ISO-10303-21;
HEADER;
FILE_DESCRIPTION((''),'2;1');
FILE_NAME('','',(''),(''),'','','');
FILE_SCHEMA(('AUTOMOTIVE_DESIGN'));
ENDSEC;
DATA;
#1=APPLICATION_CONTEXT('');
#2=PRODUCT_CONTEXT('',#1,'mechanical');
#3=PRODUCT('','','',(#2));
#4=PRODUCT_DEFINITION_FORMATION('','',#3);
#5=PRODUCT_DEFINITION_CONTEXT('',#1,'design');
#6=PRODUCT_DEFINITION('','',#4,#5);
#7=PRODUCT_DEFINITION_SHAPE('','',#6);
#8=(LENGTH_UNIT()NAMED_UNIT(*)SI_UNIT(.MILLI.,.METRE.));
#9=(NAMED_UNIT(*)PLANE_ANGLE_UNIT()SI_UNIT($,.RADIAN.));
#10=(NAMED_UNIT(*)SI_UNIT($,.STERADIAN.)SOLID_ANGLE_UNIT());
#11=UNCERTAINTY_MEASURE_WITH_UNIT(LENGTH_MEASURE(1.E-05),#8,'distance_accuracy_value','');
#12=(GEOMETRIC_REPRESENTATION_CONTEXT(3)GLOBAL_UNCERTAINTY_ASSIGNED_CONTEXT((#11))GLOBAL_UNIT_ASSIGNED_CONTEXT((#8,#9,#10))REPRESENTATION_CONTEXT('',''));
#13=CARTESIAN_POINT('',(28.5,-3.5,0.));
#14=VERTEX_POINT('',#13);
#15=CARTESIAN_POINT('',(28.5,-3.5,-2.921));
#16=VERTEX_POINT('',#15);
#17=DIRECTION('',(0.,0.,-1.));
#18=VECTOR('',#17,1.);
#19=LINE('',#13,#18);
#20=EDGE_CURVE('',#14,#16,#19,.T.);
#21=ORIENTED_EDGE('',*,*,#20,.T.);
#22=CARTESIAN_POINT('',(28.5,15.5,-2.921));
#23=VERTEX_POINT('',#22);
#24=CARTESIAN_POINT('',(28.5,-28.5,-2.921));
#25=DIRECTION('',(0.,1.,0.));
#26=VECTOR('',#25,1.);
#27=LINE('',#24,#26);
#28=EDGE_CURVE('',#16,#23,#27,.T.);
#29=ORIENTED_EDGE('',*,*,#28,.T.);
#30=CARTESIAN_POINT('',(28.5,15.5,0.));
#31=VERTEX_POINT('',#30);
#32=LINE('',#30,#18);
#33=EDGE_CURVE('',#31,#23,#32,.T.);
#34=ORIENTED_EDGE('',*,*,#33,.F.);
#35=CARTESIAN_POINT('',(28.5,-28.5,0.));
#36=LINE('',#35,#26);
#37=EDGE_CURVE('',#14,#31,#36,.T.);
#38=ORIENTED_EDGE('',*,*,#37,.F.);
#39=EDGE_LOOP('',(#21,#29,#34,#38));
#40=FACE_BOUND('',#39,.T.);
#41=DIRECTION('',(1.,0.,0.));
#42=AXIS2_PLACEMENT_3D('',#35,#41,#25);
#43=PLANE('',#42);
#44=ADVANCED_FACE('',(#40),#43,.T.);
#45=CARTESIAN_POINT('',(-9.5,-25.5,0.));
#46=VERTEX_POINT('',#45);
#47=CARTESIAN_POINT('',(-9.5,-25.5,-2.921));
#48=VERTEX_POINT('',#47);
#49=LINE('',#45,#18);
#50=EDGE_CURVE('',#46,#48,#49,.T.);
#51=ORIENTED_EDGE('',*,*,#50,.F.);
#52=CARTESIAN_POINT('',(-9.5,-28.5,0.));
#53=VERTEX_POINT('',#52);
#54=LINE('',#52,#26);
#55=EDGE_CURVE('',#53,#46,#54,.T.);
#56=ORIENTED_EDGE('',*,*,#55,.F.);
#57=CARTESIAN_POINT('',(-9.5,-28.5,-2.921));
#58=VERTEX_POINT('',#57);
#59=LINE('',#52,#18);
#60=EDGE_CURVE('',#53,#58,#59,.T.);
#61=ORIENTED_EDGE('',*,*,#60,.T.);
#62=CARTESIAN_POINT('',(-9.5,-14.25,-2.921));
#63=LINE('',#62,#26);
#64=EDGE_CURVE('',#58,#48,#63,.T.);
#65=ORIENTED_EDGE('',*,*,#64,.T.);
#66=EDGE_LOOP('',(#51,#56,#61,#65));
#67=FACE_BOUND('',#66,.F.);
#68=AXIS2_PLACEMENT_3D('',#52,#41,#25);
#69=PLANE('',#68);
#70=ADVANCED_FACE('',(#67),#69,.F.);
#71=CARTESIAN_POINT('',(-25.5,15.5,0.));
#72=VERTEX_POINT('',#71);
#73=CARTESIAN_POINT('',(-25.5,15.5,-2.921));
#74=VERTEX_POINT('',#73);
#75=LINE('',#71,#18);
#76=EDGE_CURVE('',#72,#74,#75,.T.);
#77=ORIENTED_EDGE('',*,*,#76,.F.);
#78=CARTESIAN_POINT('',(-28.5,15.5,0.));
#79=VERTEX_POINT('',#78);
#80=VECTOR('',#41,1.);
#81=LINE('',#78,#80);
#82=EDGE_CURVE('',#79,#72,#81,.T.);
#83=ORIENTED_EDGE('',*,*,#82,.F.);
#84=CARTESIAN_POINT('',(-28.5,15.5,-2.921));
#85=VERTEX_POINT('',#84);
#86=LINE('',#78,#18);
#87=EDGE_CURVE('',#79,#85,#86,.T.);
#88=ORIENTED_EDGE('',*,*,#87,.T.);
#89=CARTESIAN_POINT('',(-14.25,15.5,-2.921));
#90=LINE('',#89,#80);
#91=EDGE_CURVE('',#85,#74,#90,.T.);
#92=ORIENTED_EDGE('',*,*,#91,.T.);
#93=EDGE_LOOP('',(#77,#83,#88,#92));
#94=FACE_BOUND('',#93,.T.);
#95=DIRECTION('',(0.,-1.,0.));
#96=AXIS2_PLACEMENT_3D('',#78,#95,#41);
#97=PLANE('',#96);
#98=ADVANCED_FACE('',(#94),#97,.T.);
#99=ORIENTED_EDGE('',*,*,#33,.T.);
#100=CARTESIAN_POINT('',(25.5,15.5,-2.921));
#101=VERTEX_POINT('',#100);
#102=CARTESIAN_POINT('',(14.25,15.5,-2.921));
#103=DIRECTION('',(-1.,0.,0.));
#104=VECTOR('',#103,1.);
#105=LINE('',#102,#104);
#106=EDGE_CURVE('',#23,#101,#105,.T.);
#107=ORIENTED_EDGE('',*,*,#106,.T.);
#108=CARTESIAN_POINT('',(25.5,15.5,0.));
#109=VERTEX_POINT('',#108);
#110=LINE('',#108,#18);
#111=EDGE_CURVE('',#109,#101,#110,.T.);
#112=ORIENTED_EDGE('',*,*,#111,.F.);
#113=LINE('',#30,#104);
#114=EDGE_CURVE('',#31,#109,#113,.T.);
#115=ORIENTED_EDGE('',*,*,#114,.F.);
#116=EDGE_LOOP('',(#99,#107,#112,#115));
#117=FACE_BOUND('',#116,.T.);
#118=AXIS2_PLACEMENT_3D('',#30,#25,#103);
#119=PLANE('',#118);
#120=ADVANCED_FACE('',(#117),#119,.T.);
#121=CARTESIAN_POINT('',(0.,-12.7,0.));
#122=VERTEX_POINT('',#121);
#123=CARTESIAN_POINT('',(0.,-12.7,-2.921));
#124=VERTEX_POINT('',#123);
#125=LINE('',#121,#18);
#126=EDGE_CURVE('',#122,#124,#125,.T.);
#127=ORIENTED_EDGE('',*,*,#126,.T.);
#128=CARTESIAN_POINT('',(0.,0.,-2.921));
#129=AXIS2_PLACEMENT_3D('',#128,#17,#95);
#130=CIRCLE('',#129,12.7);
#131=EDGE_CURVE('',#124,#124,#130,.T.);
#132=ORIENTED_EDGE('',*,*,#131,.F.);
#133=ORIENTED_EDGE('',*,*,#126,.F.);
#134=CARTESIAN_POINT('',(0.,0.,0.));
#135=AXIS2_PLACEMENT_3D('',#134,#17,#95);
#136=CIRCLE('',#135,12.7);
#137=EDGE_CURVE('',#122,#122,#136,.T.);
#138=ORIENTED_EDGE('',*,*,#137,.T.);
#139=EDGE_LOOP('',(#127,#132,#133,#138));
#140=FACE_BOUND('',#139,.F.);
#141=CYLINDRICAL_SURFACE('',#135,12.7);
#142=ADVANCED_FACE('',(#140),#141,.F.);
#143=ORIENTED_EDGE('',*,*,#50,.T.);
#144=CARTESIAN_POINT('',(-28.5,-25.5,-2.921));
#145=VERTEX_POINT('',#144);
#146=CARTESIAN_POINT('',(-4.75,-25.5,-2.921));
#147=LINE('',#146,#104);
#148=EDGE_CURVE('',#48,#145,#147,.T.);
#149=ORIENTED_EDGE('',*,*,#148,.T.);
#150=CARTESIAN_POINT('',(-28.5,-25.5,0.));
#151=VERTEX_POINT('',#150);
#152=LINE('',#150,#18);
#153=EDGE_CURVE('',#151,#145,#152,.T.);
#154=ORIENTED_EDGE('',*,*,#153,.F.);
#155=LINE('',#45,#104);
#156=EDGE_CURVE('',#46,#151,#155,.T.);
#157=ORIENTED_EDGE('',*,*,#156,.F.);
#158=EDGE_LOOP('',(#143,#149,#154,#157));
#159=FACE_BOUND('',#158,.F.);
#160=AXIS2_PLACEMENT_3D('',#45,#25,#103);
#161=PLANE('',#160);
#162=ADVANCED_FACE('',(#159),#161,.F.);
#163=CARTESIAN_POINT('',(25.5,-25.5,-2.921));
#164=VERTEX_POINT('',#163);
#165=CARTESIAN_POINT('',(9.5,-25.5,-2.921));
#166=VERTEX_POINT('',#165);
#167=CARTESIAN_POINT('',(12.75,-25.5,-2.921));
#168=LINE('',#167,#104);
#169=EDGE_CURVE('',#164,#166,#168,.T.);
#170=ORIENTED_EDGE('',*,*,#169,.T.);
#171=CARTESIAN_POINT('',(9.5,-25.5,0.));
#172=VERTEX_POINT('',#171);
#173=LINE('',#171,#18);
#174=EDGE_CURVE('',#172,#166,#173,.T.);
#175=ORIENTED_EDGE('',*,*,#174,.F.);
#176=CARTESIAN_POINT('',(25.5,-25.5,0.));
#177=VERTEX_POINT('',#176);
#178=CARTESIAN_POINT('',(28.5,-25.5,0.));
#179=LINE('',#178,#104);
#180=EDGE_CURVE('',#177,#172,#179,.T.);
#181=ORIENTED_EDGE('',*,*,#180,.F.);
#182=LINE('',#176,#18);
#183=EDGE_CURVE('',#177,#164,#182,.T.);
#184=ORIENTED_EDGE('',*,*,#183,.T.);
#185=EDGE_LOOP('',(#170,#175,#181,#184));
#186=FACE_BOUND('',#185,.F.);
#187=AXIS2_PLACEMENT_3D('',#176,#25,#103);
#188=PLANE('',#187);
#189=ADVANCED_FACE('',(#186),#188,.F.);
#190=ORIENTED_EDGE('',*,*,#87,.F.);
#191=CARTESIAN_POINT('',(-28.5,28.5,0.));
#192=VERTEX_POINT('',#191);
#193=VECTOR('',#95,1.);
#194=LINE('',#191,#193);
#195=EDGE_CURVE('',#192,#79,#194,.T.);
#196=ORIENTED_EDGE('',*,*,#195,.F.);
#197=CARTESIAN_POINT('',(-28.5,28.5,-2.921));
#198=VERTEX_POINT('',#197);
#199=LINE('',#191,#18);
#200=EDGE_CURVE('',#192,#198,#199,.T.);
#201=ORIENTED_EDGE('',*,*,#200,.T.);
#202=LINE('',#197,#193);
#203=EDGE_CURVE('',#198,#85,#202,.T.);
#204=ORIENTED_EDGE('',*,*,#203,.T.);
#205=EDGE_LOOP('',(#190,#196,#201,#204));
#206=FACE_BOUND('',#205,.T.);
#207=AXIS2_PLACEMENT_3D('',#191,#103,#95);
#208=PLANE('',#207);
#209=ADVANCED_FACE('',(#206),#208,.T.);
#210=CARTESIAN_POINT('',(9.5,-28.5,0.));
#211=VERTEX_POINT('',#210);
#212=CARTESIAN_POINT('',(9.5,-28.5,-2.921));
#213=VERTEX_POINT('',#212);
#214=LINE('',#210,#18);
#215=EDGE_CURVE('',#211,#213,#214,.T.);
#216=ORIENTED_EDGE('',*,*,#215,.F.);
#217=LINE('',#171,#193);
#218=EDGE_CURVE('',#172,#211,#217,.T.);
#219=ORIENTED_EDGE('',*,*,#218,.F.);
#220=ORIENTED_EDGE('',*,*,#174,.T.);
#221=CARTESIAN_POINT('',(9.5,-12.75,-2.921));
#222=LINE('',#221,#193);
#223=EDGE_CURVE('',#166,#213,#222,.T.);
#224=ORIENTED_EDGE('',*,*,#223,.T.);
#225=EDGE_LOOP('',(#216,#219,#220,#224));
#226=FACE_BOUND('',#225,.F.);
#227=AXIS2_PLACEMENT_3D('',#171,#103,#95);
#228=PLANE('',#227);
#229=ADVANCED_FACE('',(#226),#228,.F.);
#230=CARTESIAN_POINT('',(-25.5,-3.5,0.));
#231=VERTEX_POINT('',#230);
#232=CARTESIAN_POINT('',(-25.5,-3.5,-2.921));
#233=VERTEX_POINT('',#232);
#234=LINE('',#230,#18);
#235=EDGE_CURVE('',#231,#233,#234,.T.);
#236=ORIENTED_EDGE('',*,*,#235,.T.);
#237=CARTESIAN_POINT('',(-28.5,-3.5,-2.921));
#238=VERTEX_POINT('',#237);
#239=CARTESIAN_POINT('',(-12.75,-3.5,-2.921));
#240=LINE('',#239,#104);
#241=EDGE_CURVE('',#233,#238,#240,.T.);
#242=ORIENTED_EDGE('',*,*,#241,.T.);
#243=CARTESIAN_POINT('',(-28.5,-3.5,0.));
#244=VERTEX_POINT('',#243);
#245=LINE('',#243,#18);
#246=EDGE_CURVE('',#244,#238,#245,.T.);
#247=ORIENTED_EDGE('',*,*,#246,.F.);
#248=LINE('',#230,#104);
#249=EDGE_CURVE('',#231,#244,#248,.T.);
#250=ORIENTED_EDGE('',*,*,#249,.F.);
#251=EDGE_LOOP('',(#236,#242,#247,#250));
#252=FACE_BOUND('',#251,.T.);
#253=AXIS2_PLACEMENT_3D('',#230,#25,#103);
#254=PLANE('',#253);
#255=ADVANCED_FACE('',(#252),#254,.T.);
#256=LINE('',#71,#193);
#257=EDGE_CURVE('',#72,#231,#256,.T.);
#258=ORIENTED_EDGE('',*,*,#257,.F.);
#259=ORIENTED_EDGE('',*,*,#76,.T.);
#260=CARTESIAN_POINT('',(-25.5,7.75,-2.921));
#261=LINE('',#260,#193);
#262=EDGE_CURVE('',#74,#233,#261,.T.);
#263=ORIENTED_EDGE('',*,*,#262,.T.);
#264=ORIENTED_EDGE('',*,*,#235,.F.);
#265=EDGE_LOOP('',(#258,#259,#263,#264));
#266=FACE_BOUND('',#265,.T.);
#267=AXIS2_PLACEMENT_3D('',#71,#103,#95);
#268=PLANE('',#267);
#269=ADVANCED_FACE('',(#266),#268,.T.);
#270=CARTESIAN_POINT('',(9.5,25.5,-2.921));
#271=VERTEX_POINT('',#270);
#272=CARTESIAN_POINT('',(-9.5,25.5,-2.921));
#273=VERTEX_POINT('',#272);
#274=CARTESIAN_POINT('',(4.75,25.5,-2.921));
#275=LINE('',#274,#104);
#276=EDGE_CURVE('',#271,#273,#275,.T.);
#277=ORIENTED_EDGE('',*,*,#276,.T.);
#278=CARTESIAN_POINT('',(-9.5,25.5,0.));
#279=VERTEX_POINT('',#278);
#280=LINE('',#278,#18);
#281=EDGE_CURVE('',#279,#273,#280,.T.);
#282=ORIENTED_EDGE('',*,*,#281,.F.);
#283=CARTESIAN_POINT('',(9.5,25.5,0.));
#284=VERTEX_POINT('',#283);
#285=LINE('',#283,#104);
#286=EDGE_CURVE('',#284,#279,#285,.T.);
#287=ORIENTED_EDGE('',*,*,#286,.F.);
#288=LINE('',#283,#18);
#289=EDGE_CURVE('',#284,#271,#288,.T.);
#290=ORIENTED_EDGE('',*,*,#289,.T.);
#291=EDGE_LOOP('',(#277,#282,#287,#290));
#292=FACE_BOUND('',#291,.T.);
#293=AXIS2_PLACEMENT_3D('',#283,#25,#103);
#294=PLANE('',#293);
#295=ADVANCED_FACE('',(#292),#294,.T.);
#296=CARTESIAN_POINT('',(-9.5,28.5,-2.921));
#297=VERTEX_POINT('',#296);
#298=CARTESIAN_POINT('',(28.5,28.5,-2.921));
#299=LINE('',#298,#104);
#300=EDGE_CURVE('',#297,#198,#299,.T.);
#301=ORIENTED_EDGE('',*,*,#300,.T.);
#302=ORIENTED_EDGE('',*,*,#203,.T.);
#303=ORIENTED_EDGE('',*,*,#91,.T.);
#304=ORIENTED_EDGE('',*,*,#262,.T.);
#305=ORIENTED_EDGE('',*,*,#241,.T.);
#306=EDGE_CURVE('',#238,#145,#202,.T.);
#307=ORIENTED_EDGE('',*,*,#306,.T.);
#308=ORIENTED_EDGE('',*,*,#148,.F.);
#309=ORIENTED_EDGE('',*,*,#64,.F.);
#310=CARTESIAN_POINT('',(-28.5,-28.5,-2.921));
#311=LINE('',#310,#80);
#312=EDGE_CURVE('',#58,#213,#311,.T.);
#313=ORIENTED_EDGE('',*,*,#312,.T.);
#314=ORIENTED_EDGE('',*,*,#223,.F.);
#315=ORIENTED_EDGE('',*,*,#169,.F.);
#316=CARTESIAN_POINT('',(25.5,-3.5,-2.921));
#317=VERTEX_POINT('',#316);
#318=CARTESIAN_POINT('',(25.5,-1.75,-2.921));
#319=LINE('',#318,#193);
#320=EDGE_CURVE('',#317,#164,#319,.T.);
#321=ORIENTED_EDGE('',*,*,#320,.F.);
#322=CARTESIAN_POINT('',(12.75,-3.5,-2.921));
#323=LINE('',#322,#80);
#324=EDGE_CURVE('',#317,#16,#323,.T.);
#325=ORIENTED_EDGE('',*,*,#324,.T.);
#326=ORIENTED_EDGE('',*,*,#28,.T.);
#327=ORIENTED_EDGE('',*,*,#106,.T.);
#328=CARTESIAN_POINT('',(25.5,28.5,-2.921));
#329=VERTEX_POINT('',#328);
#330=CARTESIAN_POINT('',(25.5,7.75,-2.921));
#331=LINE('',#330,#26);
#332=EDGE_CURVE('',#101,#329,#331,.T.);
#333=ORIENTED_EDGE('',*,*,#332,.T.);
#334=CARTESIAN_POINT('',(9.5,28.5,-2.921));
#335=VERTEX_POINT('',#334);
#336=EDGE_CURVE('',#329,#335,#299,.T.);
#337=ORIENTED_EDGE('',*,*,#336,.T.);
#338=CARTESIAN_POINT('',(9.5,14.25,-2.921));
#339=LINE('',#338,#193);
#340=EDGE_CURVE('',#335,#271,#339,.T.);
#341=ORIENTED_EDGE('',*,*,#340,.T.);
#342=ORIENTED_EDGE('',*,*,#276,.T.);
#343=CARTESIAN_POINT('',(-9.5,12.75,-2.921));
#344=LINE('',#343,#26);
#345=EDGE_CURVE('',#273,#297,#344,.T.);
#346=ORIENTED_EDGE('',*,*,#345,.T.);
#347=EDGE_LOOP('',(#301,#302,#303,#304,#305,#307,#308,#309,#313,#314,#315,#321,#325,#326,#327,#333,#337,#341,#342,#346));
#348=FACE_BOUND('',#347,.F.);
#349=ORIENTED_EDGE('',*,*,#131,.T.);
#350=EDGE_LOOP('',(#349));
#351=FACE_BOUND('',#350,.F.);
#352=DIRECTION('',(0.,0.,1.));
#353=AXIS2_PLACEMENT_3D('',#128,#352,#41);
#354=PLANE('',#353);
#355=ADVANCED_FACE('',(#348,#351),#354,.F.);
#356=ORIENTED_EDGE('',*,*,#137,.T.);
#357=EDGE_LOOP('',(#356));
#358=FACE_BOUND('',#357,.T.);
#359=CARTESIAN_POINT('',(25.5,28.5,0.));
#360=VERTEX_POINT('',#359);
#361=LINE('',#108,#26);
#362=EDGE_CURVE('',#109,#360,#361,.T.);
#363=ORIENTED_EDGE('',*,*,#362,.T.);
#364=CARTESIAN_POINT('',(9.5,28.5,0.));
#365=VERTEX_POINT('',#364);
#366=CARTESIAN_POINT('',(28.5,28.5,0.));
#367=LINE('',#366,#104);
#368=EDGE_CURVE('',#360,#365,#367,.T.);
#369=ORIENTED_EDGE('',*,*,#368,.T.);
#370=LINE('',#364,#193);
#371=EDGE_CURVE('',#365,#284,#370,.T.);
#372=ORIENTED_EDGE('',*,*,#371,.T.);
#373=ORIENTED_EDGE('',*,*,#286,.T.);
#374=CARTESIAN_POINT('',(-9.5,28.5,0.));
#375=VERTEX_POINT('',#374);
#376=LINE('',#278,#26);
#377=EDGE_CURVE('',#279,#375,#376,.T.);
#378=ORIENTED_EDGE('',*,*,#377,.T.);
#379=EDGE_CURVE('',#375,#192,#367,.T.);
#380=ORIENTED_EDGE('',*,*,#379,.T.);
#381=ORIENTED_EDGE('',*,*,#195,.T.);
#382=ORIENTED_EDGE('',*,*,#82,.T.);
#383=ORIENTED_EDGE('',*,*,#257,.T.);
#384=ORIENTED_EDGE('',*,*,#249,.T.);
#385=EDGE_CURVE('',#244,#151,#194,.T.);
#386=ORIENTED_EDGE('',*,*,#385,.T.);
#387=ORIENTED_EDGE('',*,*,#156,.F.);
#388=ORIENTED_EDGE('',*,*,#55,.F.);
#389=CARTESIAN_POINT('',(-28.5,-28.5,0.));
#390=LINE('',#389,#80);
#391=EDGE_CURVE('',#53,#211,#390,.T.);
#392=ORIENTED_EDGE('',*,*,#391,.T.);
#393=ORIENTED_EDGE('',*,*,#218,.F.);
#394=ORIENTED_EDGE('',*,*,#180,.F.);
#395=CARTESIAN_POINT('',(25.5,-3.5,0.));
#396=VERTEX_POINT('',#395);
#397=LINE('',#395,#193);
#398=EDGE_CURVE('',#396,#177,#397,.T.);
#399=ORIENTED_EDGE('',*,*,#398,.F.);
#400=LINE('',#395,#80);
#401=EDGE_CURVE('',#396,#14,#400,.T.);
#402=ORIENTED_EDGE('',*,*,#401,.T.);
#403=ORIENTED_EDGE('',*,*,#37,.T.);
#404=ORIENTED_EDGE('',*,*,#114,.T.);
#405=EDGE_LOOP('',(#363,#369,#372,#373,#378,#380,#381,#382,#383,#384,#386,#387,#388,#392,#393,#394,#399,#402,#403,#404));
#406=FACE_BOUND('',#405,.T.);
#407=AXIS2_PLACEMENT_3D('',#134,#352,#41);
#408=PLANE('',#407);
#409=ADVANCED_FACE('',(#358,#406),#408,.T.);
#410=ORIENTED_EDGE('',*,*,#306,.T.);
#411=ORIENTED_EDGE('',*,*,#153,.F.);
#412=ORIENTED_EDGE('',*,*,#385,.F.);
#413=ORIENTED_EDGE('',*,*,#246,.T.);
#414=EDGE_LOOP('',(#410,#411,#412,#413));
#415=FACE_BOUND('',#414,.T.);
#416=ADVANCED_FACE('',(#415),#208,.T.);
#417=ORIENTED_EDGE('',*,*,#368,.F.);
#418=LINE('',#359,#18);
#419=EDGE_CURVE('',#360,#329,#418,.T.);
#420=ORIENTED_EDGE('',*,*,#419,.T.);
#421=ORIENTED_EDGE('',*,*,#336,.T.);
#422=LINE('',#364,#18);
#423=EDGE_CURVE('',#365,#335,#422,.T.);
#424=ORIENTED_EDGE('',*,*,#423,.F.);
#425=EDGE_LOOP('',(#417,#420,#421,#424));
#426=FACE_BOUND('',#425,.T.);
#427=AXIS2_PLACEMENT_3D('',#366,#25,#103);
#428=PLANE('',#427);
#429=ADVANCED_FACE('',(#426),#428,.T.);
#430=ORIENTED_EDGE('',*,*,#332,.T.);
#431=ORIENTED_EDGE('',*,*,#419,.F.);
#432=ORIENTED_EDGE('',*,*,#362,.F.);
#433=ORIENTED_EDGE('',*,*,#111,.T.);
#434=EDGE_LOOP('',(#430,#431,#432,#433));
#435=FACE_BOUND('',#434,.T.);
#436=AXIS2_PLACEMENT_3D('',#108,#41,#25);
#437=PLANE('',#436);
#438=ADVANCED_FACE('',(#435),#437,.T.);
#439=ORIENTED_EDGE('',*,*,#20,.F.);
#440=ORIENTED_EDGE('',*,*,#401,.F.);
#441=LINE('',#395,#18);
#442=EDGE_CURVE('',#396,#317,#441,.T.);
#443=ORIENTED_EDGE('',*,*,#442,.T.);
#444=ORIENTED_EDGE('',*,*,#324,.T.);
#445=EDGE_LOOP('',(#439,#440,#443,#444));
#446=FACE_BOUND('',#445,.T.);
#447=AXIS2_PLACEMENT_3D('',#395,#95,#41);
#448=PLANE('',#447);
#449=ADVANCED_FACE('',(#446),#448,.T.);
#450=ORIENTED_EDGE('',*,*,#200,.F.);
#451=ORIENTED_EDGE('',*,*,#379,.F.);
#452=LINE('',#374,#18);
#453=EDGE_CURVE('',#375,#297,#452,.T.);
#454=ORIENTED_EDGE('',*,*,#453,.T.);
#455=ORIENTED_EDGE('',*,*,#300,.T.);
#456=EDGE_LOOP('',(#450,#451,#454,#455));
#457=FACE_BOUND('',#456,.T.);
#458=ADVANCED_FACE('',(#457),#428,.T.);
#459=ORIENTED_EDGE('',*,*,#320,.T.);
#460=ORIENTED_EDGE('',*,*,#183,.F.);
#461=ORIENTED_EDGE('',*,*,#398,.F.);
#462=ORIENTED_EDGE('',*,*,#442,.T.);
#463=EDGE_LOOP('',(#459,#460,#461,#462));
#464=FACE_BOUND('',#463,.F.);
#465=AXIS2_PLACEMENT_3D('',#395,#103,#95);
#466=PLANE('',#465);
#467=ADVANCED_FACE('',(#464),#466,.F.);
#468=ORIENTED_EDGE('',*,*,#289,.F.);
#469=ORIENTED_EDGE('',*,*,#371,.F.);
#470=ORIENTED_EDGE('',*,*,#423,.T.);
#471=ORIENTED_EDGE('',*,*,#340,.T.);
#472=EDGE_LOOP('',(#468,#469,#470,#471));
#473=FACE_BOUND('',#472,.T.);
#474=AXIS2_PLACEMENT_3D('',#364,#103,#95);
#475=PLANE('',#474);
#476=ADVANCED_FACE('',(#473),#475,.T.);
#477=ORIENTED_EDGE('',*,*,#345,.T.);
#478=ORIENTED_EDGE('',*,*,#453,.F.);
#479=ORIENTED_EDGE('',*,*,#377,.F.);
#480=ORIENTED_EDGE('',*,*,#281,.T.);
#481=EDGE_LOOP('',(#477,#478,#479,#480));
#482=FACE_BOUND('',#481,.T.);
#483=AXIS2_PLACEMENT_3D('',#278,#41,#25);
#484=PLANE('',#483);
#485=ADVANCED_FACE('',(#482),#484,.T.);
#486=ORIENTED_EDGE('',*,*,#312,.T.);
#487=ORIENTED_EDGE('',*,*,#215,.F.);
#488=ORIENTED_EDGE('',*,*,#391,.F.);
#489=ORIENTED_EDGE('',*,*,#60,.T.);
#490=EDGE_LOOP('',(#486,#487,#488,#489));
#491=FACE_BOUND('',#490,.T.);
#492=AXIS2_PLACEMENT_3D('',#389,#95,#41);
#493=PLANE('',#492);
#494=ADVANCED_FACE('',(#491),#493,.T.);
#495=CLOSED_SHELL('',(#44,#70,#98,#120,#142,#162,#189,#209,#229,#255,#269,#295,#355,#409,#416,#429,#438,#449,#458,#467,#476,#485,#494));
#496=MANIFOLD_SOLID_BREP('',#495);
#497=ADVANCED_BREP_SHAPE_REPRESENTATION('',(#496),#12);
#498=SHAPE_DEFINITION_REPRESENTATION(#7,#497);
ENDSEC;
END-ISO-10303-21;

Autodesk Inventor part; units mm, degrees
ref_plane "YZ Plane" through (0, 0, 0) normal (1, 0, 0) x (0, 1, 0)
ref_plane "XZ Plane" through (0, 0, 0) normal (0, 1, 0) x (-1, 0, 0)
ref_plane "XY Plane" through (0, 0, 0) normal (0, 0, 1) x (1, 0, 0)
sketch "Sketch1" plane through (0, 0, 0) normal (0, 0, 1) x (1, 0, 0)
  line L0 (-28.5, -28.5) -> (28.5, -28.5)
  line L1 (28.5, -28.5) -> (28.5, 28.5)
  line L2 (28.5, 28.5) -> (-28.5, 28.5)
  line L3 (-28.5, 28.5) -> (-28.5, -28.5)
  line L4 (-28.5, -28.5) -> (28.5, 28.5) construction
  line L5 (28.5, -28.5) -> (-28.5, 28.5) construction
  point P0 (0, 0)
  dimension "d0" = 57
  dimension "d1" = 57
extrude "Extrusion1" add sketch "Sketch1" against normal blind 2.921
sketch "Sketch4" plane through (0, 0, 0) normal (0, 0, 1) x (1, 0, 0)
  line L0 (28.5, -25.5) -> (9.5, -25.5)
  line L1 (9.5, -25.5) -> (9.5, -28.5)
  line L2 (9.5, -28.5) -> (28.5, -28.5)
  line L3 (28.5, -28.5) -> (28.5, -25.5)
  line L4 (-28.5, -28.5) -> (-9.5, -28.5)
  line L5 (-9.5, -28.5) -> (-9.5, -25.5)
  line L6 (-9.5, -25.5) -> (-28.5, -25.5)
  line L7 (-28.5, -25.5) -> (-28.5, -28.5)
  line L8 (28.5, -28.5) -> (28.5, 28.5) projected
  line L9 (28.5, 28.5) -> (-28.5, 28.5) projected
  line L10 (-28.5, 28.5) -> (-28.5, -28.5) projected
  line L11 (-28.5, 15.5) -> (-25.5, 15.5)
  line L12 (-25.5, 15.5) -> (-25.5, -3.5)
  line L13 (-25.5, -3.5) -> (-28.5, -3.5)
  line L14 (-28.5, -3.5) -> (-28.5, 15.5)
  line L15 (28.5, 15.5) -> (25.5, 15.5)
  line L16 (25.5, 15.5) -> (25.5, -3.5)
  line L17 (25.5, -3.5) -> (28.5, -3.5)
  line L18 (28.5, -3.5) -> (28.5, 15.5)
  line L19 (-9.5, 28.5) -> (9.5, 28.5)
  line L20 (9.5, 28.5) -> (9.5, 25.5)
  line L21 (9.5, 25.5) -> (-9.5, 25.5)
  line L22 (-9.5, 25.5) -> (-9.5, 28.5)
  line L23 (-28.5, -28.5) -> (28.5, -28.5) projected
  line L24 (25.5, -3.5) -> (25.5, -28.5)
  line L25 (25.5, 15.5) -> (25.5, 28.5)
  point P0 (0, 0)
  dimension "d12" = 19
  dimension "d13" = 3
  dimension "d16" = 3
  dimension "d37" = 9.5
  dimension "d38" = 19
  dimension "d39" = 9.5
  dimension "d40" = 3
  dimension "d41" = 3
  dimension "d42" = 19
  dimension "d43" = 19
  dimension "d44" = 3
  dimension "d45" = 19
  dimension "d46" = 19
  dimension "d50" = 25
  dimension "d51" = 25
  dimension "d52" = 19
  dimension "d53" = 57
  dimension "d54" = 57
extrude "Extrusion5" cut sketch "Sketch4" against normal blind 25.4 contours L3 L2 L24 L0 | L0 L24 L17 L8 | L24 L2 L1 L0 | L15 L25 L9 L8 | L4 L7 L6 L5 | L20 L21 L22 L9 | L10 L11 L12 L13
hole "Hole1" at (0, 0, 0) direction (0, 0, -1) diameter 25.4 end through all
equation "\"d1\" = d0"
equation "\"d12\" = d38"
equation "\"d13\" = d16"
equation "\"d16\" = d44"
equation "\"d38\" = d45"
equation "\"d39\" = d37"
equation "\"d40\" = d44"
equation "\"d41\" = d16"
equation "\"d42\" = d45"
equation "\"d43\" = d42"
equation "\"d46\" = d45"
equation "\"d51\" = d50"
equation "\"d19\" = 0.5 * d0"
equation "\"d48\" = 0.5 * d0"
properties part number "Side B"
